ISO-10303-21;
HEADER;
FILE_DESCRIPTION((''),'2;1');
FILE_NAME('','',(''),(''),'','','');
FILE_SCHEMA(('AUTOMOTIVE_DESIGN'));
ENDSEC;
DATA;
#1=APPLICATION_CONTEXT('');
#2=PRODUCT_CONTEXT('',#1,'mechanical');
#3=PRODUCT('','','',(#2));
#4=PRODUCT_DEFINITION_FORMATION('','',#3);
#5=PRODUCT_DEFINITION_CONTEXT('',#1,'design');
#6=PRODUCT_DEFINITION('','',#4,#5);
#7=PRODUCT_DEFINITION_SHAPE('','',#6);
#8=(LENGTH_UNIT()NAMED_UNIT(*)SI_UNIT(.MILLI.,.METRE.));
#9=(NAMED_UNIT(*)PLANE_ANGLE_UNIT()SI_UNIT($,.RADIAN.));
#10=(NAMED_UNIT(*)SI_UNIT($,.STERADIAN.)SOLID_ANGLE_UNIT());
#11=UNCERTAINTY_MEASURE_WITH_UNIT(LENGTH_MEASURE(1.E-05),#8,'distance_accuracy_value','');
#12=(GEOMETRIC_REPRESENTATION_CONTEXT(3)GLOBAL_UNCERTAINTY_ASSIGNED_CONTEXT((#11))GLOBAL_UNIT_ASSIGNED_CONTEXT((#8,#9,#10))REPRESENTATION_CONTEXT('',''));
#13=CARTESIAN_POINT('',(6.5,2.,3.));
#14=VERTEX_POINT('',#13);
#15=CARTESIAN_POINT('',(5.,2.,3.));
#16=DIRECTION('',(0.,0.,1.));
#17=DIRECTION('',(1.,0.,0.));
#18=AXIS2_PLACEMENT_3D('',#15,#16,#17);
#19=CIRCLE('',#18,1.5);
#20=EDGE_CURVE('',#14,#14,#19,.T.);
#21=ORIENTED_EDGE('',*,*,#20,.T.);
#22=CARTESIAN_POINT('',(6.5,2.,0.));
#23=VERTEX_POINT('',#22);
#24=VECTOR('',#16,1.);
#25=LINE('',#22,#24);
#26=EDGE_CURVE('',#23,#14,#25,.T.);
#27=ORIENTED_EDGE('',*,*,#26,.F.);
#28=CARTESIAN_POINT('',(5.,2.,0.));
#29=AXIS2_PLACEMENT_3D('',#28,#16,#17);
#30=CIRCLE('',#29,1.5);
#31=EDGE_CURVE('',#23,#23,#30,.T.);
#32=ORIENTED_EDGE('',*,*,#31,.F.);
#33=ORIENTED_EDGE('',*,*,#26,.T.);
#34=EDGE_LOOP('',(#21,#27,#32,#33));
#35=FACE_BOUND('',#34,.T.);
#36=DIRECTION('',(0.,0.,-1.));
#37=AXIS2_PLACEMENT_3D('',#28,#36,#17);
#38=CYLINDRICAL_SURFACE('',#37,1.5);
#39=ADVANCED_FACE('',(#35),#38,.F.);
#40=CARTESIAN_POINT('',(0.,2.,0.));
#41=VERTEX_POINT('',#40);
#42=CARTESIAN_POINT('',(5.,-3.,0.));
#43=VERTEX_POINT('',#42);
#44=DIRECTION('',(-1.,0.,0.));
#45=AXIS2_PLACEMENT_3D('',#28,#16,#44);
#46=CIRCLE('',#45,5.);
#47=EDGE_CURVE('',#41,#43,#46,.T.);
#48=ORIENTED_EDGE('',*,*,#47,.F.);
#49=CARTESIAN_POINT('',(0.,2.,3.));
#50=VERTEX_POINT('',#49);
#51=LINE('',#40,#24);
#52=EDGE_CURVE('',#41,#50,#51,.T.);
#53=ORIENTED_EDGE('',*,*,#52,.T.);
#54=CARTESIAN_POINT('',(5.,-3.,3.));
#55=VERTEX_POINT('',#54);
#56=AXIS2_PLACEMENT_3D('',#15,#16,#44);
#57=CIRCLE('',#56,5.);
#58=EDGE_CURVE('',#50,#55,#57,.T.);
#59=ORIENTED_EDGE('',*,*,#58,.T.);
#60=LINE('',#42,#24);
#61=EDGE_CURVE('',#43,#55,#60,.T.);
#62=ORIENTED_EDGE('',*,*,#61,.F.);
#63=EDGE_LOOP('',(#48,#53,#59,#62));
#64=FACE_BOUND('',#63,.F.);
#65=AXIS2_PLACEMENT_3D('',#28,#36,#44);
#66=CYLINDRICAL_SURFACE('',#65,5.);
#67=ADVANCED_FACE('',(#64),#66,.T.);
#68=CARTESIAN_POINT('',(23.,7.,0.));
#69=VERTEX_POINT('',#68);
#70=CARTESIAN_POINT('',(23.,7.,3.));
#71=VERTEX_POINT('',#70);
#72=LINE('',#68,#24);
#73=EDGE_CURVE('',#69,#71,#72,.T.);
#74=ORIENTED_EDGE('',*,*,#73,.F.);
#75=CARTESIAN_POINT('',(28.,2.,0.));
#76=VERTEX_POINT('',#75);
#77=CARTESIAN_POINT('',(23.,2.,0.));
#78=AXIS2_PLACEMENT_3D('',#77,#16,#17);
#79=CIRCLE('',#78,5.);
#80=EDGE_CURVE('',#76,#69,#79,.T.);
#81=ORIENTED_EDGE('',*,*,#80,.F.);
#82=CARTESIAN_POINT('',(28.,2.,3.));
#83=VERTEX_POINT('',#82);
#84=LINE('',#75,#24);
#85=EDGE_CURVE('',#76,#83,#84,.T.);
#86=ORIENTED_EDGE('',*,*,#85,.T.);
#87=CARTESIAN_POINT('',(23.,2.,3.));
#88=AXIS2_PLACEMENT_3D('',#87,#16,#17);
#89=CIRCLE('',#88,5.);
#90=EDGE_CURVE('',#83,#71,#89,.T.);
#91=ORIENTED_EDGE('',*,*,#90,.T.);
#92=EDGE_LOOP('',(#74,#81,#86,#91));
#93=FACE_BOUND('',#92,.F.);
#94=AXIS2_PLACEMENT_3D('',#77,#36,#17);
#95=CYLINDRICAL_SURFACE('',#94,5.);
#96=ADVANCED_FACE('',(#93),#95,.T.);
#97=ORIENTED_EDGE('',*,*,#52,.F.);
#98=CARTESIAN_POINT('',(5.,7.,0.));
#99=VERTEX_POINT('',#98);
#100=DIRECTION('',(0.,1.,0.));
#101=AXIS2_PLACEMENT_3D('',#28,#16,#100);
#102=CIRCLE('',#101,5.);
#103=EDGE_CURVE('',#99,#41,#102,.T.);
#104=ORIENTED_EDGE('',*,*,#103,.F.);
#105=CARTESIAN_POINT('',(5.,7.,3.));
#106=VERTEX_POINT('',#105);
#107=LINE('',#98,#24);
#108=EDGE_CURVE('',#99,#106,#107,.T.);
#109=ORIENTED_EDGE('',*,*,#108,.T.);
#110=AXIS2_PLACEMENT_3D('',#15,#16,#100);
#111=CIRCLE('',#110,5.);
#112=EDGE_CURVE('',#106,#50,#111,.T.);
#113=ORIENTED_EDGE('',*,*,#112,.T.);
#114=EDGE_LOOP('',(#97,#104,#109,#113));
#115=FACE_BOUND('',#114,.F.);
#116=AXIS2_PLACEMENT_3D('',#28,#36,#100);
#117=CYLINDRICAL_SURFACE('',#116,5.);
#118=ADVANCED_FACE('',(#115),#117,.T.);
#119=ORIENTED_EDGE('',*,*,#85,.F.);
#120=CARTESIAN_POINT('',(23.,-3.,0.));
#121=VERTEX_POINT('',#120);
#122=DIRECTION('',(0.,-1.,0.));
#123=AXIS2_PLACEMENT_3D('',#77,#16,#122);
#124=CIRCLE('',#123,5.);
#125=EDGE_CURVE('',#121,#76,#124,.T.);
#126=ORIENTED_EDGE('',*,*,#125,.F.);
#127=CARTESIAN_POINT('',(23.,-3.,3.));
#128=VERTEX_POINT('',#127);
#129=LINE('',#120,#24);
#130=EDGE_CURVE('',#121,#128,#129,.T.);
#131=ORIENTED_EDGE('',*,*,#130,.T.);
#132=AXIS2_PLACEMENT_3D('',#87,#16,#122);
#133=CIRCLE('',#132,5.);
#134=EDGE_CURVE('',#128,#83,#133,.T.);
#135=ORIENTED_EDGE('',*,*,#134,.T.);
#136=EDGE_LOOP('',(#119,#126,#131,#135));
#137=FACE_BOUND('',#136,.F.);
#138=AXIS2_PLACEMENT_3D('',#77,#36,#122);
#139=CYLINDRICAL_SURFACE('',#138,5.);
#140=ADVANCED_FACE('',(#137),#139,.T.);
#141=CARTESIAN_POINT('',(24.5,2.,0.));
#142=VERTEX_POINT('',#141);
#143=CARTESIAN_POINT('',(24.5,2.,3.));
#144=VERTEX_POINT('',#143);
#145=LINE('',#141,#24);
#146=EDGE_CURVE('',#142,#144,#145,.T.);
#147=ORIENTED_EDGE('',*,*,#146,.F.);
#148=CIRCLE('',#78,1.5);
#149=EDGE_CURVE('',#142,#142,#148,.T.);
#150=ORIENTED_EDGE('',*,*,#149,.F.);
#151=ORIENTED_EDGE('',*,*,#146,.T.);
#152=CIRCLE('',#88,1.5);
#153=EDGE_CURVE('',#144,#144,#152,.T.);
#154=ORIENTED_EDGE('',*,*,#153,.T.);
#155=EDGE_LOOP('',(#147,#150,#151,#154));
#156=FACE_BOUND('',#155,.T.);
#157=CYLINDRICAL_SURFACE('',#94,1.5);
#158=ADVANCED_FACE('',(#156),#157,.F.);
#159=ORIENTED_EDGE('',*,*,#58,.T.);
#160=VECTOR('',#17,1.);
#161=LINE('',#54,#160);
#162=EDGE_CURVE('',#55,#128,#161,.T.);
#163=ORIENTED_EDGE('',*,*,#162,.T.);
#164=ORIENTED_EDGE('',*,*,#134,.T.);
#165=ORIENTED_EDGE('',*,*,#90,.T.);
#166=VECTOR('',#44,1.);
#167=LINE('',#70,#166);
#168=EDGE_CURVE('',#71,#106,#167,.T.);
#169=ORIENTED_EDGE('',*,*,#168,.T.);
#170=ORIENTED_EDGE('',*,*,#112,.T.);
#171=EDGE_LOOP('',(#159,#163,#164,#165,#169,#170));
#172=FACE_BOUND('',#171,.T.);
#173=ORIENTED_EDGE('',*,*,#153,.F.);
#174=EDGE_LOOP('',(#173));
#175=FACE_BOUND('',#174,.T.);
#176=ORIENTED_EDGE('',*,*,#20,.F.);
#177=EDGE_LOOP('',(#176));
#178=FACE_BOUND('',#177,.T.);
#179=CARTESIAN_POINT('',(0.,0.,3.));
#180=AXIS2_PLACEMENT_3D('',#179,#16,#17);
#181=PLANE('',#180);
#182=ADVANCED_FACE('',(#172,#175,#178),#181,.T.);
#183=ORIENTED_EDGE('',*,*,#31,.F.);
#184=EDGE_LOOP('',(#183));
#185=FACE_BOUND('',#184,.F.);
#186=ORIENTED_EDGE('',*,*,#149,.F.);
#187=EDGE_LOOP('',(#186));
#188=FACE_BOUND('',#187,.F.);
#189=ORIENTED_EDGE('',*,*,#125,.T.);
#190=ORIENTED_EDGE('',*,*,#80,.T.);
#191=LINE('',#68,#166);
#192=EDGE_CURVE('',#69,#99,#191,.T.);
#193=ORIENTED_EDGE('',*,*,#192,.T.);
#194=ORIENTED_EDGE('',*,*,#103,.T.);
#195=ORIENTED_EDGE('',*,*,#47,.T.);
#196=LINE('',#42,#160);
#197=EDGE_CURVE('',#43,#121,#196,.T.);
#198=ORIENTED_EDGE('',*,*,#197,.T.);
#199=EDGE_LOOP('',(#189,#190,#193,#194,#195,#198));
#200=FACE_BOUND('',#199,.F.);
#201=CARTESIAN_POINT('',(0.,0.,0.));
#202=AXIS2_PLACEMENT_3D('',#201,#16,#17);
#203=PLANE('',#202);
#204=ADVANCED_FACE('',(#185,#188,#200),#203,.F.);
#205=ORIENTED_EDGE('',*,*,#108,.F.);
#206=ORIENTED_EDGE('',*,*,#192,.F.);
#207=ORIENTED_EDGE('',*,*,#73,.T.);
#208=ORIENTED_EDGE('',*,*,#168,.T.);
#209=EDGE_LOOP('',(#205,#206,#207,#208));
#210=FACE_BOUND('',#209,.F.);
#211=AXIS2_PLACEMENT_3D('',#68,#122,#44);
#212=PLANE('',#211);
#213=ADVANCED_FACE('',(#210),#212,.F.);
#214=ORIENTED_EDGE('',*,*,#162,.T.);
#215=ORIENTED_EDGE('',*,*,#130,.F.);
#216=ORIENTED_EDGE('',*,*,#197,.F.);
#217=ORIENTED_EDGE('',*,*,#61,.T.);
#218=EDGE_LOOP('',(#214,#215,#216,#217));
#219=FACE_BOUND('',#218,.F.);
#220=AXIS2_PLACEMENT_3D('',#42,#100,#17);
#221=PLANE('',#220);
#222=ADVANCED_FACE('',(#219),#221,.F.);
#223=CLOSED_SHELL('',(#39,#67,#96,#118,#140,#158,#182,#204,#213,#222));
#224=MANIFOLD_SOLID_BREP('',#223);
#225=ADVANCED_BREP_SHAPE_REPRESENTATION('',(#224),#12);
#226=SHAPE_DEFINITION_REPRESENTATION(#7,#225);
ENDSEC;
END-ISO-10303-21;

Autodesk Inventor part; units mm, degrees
ref_plane "YZ Plane" through (0, 0, 0) normal (1, 0, 0) x (0, 1, 0)
ref_plane "XZ Plane" through (0, 0, 0) normal (0, 1, 0) x (-1, 0, 0)
ref_plane "XY Plane" through (0, 0, 0) normal (0, 0, 1) x (1, 0, 0)
sketch "Sketch1" plane through (0, 0, 0) normal (0, 0, 1) x (1, 0, 0)
  line L0 (5, -3) -> (23, -3)
  line L1 (28, 2) -> (28, 2)
  line L2 (23, 7) -> (5, 7)
  line L3 (0, 2) -> (0, 2)
  arc A0 (5, 7) -> (0, 2) centre (5, 2) ccw
  arc A1 (0, 2) -> (5, -3) centre (5, 2) ccw
  arc A2 (28, 2) -> (23, 7) centre (23, 2) ccw
  arc A3 (23, -3) -> (28, 2) centre (23, 2) ccw
  circle A4 centre (5, 2) radius 1.5
  circle A5 centre (23, 2) radius 1.5
  point P0 (0, -3)
  point P1 (28, -3)
  point P2 (0, 7)
  dimension "d0" = 28
  dimension "d1" = 10
  dimension "d2" = 5
  dimension "d4" = 3
  dimension "d5" = 3
extrude "Extrusion1" add sketch "Sketch1" along normal blind 3
properties part number "plastic_part_5"
